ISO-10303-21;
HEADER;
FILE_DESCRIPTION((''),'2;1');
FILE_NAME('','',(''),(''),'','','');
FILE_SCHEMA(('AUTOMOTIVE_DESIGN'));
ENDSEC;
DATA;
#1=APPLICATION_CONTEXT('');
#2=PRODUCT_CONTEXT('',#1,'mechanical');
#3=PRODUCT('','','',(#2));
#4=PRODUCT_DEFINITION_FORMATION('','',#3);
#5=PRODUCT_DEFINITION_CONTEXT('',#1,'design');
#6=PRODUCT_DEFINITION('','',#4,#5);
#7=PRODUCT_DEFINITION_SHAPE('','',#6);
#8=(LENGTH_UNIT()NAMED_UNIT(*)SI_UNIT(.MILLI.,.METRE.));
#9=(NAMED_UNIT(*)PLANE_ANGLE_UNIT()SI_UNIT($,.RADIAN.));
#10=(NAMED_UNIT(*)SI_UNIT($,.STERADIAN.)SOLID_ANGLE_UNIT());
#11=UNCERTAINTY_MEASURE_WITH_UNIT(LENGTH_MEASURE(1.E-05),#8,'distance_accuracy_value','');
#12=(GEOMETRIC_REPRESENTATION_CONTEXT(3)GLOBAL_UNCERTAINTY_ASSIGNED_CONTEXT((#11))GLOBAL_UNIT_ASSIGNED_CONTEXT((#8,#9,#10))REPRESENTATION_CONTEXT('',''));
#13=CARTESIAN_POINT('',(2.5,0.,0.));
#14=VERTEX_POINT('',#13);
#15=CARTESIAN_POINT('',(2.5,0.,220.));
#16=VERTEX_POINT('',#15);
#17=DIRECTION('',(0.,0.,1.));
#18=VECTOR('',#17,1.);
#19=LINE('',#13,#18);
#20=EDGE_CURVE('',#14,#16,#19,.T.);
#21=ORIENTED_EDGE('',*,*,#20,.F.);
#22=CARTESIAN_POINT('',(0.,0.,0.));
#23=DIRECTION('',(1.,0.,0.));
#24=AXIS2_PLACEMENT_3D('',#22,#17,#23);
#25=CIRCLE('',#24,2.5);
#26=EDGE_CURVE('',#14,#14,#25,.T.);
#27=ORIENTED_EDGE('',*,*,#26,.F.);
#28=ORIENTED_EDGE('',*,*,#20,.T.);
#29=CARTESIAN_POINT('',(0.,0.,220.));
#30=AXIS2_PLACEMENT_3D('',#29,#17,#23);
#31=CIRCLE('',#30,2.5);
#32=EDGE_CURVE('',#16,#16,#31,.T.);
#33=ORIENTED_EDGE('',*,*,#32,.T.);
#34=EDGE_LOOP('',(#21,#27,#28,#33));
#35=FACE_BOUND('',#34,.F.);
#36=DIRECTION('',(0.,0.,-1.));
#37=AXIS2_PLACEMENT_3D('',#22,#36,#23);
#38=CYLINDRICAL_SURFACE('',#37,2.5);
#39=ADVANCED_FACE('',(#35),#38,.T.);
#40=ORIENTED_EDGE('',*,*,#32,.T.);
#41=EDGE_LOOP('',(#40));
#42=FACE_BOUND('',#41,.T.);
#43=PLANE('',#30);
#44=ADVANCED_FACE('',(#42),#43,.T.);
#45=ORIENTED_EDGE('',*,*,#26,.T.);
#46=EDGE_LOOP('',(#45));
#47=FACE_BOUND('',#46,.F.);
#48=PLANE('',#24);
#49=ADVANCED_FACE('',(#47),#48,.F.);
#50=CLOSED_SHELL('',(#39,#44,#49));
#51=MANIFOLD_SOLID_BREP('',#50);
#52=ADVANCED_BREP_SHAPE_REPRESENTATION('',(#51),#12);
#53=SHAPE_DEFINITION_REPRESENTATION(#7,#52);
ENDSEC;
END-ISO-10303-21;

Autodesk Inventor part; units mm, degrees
ref_plane "YZ Plane" through (0, 0, 0) normal (1, 0, 0) x (0, 1, 0)
ref_plane "XZ Plane" through (0, 0, 0) normal (0, 1, 0) x (-1, 0, 0)
ref_plane "XY Plane" through (0, 0, 0) normal (0, 0, 1) x (1, 0, 0)
sketch "スケッチ1" plane through (0, 0, 0) normal (0, 0, 1) x (1, 0, 0)
  circle A0 centre (0, 0) radius 2.5
  dimension "d0" = 5
extrude "押し出し1" add sketch "スケッチ1" along normal blind 220
properties part number "shaft_bearing"
